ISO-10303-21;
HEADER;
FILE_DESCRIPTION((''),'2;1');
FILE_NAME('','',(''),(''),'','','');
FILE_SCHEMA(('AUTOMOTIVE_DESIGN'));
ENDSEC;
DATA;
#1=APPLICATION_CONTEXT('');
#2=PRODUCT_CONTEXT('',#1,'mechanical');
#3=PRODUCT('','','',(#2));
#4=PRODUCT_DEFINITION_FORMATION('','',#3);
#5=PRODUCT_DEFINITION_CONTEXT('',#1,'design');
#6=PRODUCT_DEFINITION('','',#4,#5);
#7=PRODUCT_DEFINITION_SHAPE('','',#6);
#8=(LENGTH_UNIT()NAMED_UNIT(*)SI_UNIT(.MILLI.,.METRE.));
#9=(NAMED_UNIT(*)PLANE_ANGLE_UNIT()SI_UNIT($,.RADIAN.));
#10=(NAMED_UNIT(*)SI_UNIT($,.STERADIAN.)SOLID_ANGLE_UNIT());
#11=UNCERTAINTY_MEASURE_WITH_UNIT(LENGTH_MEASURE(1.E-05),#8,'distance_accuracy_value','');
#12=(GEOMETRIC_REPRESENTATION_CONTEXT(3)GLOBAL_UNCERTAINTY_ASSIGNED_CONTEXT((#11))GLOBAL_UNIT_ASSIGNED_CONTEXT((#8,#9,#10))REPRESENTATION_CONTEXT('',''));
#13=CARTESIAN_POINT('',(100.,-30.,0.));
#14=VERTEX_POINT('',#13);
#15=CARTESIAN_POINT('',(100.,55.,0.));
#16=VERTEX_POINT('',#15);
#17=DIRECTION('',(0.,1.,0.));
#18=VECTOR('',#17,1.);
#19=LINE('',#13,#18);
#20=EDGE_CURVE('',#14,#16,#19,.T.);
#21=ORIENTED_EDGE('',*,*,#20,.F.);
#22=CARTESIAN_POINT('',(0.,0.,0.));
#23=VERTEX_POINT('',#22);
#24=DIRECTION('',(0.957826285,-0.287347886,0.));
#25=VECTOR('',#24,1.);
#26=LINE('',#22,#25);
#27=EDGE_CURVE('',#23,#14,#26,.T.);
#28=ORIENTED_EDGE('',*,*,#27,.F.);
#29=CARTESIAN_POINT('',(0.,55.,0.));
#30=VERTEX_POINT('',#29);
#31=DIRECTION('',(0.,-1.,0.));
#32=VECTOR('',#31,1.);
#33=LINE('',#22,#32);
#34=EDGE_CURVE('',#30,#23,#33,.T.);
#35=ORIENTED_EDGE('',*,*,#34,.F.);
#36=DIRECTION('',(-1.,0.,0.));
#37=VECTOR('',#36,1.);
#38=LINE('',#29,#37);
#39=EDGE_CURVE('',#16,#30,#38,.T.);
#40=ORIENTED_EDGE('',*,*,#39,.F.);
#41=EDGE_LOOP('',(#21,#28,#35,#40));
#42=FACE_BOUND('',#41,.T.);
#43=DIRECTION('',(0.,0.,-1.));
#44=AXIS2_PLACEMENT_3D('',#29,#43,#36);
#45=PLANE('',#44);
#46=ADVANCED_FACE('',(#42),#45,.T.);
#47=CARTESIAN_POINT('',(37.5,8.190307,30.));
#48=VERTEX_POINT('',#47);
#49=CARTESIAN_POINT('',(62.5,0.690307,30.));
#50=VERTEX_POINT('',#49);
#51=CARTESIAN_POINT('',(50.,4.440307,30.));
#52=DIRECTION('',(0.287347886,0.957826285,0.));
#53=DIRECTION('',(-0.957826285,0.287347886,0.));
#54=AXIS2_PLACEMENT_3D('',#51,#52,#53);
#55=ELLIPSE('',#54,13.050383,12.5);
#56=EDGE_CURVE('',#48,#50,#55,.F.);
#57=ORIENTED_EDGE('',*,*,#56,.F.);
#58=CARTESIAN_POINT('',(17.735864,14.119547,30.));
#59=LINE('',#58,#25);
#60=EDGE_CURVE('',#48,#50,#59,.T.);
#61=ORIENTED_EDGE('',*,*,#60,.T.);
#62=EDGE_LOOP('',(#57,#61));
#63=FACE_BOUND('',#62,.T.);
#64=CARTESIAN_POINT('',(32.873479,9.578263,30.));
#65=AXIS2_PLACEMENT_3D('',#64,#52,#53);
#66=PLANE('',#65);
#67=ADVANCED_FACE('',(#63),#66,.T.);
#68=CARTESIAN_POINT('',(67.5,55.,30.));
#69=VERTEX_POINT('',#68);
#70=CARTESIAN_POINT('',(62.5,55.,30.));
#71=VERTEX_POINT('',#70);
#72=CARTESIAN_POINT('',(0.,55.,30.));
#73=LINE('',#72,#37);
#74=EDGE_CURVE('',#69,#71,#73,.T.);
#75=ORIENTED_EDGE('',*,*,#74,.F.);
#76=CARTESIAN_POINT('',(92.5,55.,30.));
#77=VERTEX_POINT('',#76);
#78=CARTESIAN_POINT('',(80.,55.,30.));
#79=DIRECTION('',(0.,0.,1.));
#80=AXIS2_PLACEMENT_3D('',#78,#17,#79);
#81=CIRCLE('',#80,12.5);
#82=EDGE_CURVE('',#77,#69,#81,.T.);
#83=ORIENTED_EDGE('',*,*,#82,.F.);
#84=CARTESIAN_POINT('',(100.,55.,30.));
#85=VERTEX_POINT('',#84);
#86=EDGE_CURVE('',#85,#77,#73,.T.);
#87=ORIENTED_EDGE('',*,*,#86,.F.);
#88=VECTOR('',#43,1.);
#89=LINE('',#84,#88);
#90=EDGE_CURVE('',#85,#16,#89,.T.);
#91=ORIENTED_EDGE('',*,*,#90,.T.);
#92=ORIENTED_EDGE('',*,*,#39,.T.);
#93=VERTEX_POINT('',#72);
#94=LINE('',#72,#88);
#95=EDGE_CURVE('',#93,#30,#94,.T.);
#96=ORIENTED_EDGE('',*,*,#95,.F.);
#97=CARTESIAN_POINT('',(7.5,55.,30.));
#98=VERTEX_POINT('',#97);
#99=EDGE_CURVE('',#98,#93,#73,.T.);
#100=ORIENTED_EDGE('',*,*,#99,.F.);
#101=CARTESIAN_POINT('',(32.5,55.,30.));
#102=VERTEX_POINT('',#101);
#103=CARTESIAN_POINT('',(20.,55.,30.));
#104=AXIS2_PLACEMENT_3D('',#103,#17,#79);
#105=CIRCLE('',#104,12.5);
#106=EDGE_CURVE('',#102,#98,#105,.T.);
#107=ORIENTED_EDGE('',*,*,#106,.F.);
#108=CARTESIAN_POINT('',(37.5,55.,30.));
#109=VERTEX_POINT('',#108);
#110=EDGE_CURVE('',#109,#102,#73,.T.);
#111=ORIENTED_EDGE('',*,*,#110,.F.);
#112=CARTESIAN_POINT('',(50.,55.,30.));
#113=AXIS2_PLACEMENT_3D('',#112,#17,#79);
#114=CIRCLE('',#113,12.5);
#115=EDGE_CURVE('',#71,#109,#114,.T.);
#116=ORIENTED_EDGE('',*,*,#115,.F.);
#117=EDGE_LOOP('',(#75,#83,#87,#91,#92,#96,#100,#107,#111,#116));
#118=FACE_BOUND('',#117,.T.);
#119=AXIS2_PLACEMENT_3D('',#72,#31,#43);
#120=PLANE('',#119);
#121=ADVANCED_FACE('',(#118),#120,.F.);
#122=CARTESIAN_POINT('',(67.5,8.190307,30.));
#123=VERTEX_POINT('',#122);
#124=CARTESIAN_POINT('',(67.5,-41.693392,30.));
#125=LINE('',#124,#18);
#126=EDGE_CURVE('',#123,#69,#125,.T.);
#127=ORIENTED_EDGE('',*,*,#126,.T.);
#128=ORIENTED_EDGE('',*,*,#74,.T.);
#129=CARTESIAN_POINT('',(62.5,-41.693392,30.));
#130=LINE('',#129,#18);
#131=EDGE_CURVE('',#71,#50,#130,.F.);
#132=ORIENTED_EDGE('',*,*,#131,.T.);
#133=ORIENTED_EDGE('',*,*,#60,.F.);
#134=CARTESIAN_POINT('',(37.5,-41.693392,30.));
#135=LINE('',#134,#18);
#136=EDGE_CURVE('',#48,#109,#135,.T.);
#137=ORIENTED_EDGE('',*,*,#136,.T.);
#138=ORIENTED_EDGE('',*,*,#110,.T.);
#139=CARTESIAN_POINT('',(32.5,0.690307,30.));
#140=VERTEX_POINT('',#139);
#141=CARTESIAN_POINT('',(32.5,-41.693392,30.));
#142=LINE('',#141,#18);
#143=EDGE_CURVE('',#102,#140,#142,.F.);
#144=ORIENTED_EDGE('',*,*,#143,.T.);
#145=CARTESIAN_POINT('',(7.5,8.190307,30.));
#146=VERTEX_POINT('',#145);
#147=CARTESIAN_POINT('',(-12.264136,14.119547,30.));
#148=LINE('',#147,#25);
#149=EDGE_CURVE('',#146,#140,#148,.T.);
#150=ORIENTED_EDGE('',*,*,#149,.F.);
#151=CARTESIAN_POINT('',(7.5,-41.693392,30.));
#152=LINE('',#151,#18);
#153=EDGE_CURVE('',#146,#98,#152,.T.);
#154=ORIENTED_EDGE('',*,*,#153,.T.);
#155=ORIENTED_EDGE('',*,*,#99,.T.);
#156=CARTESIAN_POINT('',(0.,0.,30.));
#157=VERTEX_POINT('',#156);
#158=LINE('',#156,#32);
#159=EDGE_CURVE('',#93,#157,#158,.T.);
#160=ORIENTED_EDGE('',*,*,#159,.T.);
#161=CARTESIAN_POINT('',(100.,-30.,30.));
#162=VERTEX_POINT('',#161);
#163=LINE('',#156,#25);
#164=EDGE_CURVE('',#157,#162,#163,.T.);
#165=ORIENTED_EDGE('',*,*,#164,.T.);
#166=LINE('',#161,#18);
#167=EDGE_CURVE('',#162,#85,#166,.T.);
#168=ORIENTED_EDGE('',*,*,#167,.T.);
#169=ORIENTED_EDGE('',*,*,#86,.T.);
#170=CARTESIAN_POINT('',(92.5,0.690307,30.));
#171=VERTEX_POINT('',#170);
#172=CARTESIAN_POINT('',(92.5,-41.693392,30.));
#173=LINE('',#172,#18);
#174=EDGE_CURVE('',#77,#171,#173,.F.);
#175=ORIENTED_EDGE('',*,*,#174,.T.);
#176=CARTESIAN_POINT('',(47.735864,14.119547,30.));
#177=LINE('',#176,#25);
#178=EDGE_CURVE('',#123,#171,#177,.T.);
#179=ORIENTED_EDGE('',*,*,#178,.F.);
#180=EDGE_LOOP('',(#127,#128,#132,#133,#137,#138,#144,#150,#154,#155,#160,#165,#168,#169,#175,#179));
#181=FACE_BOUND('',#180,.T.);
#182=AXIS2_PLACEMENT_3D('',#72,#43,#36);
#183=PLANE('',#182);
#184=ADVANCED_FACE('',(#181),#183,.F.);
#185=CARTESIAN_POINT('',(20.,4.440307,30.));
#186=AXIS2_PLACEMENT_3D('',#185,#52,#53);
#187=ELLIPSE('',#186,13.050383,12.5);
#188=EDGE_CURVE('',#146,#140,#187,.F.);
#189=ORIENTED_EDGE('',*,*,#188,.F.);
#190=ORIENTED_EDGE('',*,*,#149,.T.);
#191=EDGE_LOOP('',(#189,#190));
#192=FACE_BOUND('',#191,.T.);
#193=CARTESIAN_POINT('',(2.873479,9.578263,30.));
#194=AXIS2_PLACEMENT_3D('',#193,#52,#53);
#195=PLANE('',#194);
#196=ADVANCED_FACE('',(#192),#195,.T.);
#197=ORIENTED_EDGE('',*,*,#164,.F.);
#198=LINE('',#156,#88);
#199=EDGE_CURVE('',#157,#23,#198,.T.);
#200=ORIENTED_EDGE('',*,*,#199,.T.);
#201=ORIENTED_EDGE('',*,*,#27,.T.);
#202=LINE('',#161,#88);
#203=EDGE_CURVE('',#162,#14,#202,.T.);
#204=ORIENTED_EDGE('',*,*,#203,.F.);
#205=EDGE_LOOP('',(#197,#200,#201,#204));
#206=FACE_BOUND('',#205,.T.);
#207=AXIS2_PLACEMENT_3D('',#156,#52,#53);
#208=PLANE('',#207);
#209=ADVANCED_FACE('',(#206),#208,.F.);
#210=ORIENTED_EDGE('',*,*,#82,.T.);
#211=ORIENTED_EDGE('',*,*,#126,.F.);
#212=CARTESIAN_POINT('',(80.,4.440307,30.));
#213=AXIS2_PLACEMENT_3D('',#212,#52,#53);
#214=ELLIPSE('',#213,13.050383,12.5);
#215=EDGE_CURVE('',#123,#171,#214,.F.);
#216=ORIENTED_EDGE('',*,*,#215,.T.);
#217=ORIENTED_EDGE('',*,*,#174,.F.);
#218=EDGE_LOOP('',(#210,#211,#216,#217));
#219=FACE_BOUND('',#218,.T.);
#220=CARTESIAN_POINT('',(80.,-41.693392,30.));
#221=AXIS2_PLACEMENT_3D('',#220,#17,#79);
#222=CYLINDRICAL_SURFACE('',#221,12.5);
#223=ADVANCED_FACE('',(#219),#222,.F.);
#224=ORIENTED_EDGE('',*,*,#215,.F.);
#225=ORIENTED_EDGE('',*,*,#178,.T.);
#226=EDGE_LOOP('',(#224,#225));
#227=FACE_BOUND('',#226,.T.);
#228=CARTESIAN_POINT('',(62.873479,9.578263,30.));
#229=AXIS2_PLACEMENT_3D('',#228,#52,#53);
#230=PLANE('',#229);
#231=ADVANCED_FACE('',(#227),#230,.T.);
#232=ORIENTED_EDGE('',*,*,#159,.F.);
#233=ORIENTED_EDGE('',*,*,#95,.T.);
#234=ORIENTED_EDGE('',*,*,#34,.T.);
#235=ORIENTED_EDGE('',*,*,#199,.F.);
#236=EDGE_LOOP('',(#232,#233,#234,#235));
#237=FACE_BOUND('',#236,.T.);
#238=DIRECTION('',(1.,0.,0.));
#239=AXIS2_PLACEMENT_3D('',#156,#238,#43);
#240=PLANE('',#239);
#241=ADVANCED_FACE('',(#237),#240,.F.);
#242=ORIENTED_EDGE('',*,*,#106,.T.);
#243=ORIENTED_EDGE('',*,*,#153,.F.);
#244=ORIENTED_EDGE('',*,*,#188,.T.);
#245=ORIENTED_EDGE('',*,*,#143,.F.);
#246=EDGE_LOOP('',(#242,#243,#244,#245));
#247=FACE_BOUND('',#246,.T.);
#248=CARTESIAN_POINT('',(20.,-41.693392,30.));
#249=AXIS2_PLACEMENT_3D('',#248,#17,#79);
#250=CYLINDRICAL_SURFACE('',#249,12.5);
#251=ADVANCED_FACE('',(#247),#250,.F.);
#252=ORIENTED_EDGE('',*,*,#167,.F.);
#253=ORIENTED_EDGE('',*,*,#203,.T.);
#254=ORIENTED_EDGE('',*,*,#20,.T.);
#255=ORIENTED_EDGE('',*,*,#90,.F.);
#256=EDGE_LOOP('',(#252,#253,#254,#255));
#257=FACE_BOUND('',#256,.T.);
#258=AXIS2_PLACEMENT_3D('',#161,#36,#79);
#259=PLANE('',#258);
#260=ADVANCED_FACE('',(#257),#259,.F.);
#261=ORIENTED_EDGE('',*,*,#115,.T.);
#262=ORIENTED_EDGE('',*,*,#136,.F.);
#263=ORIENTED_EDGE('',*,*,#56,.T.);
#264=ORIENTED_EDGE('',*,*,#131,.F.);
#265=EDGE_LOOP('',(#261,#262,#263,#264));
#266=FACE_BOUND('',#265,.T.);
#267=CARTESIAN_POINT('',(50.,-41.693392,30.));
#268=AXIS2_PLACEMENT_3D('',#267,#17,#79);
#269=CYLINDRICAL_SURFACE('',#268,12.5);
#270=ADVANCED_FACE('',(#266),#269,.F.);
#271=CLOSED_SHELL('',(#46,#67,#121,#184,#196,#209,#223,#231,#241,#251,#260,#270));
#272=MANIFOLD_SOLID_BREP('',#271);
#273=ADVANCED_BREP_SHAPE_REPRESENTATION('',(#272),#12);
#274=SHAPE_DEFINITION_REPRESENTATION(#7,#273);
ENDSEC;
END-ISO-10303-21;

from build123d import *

# Parameters (mm, degrees)
EXTRUDE1_DEPTH  = 30
EXTRUDE2_REACH  = 136.629
SKETCH2_R       = 12.5
LPATTERN1_COUNT = 3
LPATTERN1_PITCH = 30


with BuildPart() as part:
    # Sketch1 → Extrude1 (new body)
    with BuildSketch(Plane.XY):
        Polygon((0, 0), (100, -30), (100, 55), (0, 55), align=None)
    extrude(amount=EXTRUDE1_DEPTH)

    # Extrude2: up to this plane
    extrude2_end = Plane(origin=(2.873478856, 9.578262852, 30), z_dir=(0.2873478855663455, 0.9578262852211514, 0))
    # Sketch2 → Extrude2 (cut, up to the surface)
    with BuildSketch(Plane(origin=(0, 55, 0), x_dir=(1, 0, 0), z_dir=(0, 1, 0)), mode=Mode.PRIVATE) as extrude2_sk1:
        with Locations((20, -30)):
            Circle(SKETCH2_R)
    extrude2_tool1 = split(extrude(extrude2_sk1.sketch, amount=-EXTRUDE2_REACH, mode=Mode.PRIVATE), bisect_by=extrude2_end, keep=Keep.BOTH, mode=Mode.PRIVATE)
    extrude2 = extrude2_tool1.solids().sort_by_distance((20, 55, 30))[0]
    add(extrude2, mode=Mode.SUBTRACT)

    # LPattern1: Extrude2 ×3
    with Locations(*[(i * LPATTERN1_PITCH, 0, 0) for i in range(1, LPATTERN1_COUNT)]):
        add(extrude2, mode=Mode.SUBTRACT)


solid = part.part
